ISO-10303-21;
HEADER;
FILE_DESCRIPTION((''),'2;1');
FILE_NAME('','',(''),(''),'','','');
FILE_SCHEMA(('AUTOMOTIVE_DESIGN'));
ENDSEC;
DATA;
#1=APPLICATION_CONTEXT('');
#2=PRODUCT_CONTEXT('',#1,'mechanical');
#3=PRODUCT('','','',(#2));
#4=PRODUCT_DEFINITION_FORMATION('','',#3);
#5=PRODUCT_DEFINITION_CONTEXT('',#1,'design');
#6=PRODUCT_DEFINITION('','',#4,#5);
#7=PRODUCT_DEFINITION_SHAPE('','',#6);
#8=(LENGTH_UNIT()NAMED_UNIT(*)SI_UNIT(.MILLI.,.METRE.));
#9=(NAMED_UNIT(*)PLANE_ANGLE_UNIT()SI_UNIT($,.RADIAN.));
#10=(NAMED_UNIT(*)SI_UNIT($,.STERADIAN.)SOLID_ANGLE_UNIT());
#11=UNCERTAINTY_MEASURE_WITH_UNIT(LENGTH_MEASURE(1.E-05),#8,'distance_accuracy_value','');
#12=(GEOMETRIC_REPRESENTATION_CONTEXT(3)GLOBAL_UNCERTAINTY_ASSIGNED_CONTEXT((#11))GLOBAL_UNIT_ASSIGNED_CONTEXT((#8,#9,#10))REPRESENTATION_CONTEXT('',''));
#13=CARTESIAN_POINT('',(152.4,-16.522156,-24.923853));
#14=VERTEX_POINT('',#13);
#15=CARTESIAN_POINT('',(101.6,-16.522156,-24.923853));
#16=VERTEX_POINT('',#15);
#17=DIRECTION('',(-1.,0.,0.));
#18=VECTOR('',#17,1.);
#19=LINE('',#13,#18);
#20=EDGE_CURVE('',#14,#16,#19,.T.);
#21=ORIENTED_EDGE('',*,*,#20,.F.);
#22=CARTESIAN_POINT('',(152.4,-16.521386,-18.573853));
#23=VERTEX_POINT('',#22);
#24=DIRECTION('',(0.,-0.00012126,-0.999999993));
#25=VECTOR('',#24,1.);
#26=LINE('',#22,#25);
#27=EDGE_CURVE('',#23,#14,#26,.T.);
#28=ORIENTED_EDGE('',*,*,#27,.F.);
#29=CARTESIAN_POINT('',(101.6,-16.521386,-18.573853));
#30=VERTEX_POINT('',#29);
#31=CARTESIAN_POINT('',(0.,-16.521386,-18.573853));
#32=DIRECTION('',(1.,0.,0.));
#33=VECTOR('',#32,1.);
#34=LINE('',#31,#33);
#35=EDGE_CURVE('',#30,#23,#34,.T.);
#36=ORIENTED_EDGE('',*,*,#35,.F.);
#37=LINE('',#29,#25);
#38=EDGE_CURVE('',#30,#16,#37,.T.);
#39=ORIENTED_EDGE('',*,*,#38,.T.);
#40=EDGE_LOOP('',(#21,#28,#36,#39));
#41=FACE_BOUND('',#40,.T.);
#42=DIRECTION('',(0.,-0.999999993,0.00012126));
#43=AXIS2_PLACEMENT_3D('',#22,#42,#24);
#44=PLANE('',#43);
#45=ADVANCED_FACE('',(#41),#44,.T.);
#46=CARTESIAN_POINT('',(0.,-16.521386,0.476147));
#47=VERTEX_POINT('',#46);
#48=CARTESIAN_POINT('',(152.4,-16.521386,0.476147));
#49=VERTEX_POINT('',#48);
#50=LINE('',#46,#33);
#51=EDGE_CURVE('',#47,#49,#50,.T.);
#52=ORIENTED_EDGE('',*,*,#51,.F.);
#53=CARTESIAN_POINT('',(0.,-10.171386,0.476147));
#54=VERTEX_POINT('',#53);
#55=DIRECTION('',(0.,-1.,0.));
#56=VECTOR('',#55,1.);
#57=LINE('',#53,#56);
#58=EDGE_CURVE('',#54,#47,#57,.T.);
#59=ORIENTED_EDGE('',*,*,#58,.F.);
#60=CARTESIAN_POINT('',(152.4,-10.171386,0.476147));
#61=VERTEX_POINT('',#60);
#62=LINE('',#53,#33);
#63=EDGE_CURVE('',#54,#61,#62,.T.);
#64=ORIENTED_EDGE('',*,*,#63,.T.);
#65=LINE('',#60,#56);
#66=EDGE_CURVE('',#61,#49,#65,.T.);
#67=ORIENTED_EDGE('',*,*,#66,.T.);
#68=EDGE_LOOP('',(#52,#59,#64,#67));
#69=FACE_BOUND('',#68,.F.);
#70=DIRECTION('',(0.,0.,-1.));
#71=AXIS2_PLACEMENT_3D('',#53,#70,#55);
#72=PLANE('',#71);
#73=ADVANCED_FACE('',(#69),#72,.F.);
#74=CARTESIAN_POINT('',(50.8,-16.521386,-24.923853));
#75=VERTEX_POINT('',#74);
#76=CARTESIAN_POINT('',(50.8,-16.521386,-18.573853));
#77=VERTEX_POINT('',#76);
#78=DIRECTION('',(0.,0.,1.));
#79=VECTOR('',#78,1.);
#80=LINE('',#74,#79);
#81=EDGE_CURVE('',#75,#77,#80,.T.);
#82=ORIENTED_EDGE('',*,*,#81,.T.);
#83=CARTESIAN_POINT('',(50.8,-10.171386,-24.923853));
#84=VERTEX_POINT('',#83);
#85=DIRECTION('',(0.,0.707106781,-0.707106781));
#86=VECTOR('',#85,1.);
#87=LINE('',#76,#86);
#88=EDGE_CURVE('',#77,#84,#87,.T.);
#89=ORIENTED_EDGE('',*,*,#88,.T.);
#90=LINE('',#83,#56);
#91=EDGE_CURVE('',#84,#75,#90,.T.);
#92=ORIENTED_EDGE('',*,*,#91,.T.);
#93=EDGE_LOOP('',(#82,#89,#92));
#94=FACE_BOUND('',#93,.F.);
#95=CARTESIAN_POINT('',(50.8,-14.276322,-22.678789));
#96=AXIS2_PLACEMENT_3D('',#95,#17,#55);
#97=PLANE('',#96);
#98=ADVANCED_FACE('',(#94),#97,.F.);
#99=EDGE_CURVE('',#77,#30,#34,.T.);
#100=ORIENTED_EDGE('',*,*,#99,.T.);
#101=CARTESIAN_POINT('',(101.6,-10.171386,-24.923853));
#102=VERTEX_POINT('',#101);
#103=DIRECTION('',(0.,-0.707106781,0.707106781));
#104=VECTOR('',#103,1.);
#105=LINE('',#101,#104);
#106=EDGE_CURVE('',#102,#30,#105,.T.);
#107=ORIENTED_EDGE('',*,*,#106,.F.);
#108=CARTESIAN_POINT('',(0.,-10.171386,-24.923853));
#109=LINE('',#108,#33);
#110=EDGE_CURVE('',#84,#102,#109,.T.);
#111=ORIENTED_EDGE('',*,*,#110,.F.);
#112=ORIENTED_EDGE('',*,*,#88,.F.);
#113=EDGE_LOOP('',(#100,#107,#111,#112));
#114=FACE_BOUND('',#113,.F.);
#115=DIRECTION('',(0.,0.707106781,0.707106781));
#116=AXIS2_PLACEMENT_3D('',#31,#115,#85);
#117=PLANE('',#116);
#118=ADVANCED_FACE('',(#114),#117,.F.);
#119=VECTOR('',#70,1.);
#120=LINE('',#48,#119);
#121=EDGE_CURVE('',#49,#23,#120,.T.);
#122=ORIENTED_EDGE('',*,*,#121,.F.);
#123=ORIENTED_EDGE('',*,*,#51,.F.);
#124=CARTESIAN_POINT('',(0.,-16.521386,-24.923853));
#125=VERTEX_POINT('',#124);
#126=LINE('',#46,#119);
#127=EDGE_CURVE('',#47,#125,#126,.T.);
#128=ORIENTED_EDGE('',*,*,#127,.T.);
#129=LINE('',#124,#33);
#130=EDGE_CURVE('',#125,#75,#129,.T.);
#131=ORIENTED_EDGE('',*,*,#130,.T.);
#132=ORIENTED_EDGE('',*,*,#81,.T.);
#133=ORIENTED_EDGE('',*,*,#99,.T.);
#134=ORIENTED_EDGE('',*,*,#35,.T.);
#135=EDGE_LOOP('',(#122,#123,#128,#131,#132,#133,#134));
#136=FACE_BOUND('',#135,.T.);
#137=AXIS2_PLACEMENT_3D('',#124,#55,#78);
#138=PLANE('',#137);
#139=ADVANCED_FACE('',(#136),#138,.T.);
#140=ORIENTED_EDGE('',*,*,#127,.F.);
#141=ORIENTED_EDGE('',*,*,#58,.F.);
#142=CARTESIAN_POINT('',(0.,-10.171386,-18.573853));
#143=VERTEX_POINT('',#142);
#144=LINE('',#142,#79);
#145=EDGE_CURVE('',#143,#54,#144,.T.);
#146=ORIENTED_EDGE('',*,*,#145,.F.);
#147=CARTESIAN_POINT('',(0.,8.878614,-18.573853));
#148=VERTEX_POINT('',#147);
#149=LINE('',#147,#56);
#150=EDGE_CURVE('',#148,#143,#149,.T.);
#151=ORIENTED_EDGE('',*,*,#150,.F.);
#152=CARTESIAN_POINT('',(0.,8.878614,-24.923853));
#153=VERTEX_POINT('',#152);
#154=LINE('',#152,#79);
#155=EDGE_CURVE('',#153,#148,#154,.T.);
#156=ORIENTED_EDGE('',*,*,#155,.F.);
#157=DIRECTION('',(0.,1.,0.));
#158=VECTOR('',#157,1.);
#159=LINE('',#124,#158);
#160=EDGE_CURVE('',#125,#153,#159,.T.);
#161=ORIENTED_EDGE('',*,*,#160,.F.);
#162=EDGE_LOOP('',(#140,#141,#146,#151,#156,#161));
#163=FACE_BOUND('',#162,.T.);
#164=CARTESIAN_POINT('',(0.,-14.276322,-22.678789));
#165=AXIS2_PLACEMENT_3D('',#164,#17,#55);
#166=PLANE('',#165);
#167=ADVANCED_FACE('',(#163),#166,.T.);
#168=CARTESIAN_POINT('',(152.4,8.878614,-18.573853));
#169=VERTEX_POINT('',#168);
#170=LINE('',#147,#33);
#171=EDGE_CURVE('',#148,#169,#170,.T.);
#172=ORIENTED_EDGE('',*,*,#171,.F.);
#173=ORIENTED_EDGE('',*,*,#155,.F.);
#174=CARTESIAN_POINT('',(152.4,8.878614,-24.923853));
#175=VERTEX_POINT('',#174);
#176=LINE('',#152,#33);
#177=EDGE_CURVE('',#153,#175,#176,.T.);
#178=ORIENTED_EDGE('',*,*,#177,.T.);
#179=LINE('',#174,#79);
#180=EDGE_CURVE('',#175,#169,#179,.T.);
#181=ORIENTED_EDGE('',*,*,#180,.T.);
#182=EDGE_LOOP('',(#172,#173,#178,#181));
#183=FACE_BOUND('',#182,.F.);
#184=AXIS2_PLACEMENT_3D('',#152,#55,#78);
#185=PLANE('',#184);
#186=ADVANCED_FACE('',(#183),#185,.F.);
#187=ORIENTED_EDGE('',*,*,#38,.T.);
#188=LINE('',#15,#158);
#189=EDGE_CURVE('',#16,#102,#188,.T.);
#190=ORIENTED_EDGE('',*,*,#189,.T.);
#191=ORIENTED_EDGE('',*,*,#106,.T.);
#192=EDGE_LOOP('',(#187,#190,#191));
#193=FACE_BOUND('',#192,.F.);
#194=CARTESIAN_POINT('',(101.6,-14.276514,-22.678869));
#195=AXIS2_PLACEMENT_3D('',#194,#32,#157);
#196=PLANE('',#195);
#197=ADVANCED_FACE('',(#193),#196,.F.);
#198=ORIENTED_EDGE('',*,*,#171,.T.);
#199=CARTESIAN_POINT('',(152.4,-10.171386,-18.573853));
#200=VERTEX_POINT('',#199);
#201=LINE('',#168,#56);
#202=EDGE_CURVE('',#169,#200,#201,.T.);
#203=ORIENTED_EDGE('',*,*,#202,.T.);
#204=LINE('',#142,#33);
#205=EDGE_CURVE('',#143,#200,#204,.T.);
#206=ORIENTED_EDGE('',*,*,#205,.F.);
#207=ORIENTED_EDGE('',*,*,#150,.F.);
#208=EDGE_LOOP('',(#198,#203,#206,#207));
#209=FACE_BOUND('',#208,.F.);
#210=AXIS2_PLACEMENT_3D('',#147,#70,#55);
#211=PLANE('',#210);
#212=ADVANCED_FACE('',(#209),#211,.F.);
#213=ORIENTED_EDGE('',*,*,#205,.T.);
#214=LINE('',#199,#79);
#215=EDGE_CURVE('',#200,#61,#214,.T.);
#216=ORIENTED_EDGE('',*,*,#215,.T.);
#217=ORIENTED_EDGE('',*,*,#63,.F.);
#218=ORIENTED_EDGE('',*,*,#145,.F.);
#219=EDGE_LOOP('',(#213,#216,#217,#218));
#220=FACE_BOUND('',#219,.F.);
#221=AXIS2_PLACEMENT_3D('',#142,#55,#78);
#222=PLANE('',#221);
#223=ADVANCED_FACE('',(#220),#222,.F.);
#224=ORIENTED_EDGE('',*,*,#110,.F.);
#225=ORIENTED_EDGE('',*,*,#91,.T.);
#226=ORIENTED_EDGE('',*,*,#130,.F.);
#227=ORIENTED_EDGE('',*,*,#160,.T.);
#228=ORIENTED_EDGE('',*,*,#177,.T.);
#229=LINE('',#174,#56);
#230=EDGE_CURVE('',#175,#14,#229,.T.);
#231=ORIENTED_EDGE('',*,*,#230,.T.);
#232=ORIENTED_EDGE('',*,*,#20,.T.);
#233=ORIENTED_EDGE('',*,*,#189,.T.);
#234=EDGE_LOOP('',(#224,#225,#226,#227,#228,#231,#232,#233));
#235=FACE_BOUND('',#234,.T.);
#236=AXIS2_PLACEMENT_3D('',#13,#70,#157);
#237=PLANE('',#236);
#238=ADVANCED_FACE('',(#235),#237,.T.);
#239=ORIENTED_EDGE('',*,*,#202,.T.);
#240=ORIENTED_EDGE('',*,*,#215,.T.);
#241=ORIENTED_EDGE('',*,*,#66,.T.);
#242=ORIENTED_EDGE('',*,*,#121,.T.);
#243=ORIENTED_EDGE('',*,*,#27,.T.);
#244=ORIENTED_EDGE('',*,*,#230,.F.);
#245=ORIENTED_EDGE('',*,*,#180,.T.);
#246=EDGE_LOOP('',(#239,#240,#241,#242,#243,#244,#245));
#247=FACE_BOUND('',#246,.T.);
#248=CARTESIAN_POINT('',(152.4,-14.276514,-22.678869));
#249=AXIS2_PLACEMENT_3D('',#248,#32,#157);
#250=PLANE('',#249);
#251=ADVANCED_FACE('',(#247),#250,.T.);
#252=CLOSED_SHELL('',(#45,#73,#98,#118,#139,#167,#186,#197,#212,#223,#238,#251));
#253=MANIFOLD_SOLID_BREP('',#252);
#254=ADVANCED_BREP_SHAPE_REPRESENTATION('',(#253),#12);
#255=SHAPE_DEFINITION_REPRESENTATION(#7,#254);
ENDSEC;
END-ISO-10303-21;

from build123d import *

# Parameters (mm, degrees)
F1_DEPTH = 152.4
F3_DEPTH = 154.432
F5_DEPTH = 50.8
F7_DEPTH = 50.8


with BuildPart() as f1:
    # F0 (on Right) → F1 (new body)
    with BuildSketch(Plane.YZ):
        Polygon((-10.171386, 0.476147), (-16.521386, 0.476147), (-16.521386, -24.923853), (8.878614, -24.923853), (8.878614, -18.573853), (-10.171386, -18.573853), align=None)
    extrude(amount=F1_DEPTH)

    # F2 (on face) → F3 (cut)
    with BuildSketch(Plane(origin=(0, 0, 0), x_dir=(0, -1, 0), z_dir=(-1, 0, 0))):
        Polygon((10.171386, -24.923853), (16.521386, -24.923853), (16.521386, -18.573853), align=None)
    extrude(amount=-F3_DEPTH, mode=Mode.SUBTRACT)

    # F4 (on face) → F5 (join)
    with BuildSketch(Plane(origin=(0, 0, 0), x_dir=(0, -1, 0), z_dir=(-1, 0, 0))):
        Polygon((16.521386, -24.923853), (16.521386, -18.573853), (10.171386, -24.923853), align=None)
    extrude(amount=-F5_DEPTH)

    # F6 (on face) → F7 (join)
    with BuildSketch(Plane.YZ.offset(152.4)):
        Polygon((-16.522156, -24.923853), (-10.171386, -24.923853), (-16.521386, -18.573853), align=None)
    extrude(amount=-F7_DEPTH)


solid = f1.part
